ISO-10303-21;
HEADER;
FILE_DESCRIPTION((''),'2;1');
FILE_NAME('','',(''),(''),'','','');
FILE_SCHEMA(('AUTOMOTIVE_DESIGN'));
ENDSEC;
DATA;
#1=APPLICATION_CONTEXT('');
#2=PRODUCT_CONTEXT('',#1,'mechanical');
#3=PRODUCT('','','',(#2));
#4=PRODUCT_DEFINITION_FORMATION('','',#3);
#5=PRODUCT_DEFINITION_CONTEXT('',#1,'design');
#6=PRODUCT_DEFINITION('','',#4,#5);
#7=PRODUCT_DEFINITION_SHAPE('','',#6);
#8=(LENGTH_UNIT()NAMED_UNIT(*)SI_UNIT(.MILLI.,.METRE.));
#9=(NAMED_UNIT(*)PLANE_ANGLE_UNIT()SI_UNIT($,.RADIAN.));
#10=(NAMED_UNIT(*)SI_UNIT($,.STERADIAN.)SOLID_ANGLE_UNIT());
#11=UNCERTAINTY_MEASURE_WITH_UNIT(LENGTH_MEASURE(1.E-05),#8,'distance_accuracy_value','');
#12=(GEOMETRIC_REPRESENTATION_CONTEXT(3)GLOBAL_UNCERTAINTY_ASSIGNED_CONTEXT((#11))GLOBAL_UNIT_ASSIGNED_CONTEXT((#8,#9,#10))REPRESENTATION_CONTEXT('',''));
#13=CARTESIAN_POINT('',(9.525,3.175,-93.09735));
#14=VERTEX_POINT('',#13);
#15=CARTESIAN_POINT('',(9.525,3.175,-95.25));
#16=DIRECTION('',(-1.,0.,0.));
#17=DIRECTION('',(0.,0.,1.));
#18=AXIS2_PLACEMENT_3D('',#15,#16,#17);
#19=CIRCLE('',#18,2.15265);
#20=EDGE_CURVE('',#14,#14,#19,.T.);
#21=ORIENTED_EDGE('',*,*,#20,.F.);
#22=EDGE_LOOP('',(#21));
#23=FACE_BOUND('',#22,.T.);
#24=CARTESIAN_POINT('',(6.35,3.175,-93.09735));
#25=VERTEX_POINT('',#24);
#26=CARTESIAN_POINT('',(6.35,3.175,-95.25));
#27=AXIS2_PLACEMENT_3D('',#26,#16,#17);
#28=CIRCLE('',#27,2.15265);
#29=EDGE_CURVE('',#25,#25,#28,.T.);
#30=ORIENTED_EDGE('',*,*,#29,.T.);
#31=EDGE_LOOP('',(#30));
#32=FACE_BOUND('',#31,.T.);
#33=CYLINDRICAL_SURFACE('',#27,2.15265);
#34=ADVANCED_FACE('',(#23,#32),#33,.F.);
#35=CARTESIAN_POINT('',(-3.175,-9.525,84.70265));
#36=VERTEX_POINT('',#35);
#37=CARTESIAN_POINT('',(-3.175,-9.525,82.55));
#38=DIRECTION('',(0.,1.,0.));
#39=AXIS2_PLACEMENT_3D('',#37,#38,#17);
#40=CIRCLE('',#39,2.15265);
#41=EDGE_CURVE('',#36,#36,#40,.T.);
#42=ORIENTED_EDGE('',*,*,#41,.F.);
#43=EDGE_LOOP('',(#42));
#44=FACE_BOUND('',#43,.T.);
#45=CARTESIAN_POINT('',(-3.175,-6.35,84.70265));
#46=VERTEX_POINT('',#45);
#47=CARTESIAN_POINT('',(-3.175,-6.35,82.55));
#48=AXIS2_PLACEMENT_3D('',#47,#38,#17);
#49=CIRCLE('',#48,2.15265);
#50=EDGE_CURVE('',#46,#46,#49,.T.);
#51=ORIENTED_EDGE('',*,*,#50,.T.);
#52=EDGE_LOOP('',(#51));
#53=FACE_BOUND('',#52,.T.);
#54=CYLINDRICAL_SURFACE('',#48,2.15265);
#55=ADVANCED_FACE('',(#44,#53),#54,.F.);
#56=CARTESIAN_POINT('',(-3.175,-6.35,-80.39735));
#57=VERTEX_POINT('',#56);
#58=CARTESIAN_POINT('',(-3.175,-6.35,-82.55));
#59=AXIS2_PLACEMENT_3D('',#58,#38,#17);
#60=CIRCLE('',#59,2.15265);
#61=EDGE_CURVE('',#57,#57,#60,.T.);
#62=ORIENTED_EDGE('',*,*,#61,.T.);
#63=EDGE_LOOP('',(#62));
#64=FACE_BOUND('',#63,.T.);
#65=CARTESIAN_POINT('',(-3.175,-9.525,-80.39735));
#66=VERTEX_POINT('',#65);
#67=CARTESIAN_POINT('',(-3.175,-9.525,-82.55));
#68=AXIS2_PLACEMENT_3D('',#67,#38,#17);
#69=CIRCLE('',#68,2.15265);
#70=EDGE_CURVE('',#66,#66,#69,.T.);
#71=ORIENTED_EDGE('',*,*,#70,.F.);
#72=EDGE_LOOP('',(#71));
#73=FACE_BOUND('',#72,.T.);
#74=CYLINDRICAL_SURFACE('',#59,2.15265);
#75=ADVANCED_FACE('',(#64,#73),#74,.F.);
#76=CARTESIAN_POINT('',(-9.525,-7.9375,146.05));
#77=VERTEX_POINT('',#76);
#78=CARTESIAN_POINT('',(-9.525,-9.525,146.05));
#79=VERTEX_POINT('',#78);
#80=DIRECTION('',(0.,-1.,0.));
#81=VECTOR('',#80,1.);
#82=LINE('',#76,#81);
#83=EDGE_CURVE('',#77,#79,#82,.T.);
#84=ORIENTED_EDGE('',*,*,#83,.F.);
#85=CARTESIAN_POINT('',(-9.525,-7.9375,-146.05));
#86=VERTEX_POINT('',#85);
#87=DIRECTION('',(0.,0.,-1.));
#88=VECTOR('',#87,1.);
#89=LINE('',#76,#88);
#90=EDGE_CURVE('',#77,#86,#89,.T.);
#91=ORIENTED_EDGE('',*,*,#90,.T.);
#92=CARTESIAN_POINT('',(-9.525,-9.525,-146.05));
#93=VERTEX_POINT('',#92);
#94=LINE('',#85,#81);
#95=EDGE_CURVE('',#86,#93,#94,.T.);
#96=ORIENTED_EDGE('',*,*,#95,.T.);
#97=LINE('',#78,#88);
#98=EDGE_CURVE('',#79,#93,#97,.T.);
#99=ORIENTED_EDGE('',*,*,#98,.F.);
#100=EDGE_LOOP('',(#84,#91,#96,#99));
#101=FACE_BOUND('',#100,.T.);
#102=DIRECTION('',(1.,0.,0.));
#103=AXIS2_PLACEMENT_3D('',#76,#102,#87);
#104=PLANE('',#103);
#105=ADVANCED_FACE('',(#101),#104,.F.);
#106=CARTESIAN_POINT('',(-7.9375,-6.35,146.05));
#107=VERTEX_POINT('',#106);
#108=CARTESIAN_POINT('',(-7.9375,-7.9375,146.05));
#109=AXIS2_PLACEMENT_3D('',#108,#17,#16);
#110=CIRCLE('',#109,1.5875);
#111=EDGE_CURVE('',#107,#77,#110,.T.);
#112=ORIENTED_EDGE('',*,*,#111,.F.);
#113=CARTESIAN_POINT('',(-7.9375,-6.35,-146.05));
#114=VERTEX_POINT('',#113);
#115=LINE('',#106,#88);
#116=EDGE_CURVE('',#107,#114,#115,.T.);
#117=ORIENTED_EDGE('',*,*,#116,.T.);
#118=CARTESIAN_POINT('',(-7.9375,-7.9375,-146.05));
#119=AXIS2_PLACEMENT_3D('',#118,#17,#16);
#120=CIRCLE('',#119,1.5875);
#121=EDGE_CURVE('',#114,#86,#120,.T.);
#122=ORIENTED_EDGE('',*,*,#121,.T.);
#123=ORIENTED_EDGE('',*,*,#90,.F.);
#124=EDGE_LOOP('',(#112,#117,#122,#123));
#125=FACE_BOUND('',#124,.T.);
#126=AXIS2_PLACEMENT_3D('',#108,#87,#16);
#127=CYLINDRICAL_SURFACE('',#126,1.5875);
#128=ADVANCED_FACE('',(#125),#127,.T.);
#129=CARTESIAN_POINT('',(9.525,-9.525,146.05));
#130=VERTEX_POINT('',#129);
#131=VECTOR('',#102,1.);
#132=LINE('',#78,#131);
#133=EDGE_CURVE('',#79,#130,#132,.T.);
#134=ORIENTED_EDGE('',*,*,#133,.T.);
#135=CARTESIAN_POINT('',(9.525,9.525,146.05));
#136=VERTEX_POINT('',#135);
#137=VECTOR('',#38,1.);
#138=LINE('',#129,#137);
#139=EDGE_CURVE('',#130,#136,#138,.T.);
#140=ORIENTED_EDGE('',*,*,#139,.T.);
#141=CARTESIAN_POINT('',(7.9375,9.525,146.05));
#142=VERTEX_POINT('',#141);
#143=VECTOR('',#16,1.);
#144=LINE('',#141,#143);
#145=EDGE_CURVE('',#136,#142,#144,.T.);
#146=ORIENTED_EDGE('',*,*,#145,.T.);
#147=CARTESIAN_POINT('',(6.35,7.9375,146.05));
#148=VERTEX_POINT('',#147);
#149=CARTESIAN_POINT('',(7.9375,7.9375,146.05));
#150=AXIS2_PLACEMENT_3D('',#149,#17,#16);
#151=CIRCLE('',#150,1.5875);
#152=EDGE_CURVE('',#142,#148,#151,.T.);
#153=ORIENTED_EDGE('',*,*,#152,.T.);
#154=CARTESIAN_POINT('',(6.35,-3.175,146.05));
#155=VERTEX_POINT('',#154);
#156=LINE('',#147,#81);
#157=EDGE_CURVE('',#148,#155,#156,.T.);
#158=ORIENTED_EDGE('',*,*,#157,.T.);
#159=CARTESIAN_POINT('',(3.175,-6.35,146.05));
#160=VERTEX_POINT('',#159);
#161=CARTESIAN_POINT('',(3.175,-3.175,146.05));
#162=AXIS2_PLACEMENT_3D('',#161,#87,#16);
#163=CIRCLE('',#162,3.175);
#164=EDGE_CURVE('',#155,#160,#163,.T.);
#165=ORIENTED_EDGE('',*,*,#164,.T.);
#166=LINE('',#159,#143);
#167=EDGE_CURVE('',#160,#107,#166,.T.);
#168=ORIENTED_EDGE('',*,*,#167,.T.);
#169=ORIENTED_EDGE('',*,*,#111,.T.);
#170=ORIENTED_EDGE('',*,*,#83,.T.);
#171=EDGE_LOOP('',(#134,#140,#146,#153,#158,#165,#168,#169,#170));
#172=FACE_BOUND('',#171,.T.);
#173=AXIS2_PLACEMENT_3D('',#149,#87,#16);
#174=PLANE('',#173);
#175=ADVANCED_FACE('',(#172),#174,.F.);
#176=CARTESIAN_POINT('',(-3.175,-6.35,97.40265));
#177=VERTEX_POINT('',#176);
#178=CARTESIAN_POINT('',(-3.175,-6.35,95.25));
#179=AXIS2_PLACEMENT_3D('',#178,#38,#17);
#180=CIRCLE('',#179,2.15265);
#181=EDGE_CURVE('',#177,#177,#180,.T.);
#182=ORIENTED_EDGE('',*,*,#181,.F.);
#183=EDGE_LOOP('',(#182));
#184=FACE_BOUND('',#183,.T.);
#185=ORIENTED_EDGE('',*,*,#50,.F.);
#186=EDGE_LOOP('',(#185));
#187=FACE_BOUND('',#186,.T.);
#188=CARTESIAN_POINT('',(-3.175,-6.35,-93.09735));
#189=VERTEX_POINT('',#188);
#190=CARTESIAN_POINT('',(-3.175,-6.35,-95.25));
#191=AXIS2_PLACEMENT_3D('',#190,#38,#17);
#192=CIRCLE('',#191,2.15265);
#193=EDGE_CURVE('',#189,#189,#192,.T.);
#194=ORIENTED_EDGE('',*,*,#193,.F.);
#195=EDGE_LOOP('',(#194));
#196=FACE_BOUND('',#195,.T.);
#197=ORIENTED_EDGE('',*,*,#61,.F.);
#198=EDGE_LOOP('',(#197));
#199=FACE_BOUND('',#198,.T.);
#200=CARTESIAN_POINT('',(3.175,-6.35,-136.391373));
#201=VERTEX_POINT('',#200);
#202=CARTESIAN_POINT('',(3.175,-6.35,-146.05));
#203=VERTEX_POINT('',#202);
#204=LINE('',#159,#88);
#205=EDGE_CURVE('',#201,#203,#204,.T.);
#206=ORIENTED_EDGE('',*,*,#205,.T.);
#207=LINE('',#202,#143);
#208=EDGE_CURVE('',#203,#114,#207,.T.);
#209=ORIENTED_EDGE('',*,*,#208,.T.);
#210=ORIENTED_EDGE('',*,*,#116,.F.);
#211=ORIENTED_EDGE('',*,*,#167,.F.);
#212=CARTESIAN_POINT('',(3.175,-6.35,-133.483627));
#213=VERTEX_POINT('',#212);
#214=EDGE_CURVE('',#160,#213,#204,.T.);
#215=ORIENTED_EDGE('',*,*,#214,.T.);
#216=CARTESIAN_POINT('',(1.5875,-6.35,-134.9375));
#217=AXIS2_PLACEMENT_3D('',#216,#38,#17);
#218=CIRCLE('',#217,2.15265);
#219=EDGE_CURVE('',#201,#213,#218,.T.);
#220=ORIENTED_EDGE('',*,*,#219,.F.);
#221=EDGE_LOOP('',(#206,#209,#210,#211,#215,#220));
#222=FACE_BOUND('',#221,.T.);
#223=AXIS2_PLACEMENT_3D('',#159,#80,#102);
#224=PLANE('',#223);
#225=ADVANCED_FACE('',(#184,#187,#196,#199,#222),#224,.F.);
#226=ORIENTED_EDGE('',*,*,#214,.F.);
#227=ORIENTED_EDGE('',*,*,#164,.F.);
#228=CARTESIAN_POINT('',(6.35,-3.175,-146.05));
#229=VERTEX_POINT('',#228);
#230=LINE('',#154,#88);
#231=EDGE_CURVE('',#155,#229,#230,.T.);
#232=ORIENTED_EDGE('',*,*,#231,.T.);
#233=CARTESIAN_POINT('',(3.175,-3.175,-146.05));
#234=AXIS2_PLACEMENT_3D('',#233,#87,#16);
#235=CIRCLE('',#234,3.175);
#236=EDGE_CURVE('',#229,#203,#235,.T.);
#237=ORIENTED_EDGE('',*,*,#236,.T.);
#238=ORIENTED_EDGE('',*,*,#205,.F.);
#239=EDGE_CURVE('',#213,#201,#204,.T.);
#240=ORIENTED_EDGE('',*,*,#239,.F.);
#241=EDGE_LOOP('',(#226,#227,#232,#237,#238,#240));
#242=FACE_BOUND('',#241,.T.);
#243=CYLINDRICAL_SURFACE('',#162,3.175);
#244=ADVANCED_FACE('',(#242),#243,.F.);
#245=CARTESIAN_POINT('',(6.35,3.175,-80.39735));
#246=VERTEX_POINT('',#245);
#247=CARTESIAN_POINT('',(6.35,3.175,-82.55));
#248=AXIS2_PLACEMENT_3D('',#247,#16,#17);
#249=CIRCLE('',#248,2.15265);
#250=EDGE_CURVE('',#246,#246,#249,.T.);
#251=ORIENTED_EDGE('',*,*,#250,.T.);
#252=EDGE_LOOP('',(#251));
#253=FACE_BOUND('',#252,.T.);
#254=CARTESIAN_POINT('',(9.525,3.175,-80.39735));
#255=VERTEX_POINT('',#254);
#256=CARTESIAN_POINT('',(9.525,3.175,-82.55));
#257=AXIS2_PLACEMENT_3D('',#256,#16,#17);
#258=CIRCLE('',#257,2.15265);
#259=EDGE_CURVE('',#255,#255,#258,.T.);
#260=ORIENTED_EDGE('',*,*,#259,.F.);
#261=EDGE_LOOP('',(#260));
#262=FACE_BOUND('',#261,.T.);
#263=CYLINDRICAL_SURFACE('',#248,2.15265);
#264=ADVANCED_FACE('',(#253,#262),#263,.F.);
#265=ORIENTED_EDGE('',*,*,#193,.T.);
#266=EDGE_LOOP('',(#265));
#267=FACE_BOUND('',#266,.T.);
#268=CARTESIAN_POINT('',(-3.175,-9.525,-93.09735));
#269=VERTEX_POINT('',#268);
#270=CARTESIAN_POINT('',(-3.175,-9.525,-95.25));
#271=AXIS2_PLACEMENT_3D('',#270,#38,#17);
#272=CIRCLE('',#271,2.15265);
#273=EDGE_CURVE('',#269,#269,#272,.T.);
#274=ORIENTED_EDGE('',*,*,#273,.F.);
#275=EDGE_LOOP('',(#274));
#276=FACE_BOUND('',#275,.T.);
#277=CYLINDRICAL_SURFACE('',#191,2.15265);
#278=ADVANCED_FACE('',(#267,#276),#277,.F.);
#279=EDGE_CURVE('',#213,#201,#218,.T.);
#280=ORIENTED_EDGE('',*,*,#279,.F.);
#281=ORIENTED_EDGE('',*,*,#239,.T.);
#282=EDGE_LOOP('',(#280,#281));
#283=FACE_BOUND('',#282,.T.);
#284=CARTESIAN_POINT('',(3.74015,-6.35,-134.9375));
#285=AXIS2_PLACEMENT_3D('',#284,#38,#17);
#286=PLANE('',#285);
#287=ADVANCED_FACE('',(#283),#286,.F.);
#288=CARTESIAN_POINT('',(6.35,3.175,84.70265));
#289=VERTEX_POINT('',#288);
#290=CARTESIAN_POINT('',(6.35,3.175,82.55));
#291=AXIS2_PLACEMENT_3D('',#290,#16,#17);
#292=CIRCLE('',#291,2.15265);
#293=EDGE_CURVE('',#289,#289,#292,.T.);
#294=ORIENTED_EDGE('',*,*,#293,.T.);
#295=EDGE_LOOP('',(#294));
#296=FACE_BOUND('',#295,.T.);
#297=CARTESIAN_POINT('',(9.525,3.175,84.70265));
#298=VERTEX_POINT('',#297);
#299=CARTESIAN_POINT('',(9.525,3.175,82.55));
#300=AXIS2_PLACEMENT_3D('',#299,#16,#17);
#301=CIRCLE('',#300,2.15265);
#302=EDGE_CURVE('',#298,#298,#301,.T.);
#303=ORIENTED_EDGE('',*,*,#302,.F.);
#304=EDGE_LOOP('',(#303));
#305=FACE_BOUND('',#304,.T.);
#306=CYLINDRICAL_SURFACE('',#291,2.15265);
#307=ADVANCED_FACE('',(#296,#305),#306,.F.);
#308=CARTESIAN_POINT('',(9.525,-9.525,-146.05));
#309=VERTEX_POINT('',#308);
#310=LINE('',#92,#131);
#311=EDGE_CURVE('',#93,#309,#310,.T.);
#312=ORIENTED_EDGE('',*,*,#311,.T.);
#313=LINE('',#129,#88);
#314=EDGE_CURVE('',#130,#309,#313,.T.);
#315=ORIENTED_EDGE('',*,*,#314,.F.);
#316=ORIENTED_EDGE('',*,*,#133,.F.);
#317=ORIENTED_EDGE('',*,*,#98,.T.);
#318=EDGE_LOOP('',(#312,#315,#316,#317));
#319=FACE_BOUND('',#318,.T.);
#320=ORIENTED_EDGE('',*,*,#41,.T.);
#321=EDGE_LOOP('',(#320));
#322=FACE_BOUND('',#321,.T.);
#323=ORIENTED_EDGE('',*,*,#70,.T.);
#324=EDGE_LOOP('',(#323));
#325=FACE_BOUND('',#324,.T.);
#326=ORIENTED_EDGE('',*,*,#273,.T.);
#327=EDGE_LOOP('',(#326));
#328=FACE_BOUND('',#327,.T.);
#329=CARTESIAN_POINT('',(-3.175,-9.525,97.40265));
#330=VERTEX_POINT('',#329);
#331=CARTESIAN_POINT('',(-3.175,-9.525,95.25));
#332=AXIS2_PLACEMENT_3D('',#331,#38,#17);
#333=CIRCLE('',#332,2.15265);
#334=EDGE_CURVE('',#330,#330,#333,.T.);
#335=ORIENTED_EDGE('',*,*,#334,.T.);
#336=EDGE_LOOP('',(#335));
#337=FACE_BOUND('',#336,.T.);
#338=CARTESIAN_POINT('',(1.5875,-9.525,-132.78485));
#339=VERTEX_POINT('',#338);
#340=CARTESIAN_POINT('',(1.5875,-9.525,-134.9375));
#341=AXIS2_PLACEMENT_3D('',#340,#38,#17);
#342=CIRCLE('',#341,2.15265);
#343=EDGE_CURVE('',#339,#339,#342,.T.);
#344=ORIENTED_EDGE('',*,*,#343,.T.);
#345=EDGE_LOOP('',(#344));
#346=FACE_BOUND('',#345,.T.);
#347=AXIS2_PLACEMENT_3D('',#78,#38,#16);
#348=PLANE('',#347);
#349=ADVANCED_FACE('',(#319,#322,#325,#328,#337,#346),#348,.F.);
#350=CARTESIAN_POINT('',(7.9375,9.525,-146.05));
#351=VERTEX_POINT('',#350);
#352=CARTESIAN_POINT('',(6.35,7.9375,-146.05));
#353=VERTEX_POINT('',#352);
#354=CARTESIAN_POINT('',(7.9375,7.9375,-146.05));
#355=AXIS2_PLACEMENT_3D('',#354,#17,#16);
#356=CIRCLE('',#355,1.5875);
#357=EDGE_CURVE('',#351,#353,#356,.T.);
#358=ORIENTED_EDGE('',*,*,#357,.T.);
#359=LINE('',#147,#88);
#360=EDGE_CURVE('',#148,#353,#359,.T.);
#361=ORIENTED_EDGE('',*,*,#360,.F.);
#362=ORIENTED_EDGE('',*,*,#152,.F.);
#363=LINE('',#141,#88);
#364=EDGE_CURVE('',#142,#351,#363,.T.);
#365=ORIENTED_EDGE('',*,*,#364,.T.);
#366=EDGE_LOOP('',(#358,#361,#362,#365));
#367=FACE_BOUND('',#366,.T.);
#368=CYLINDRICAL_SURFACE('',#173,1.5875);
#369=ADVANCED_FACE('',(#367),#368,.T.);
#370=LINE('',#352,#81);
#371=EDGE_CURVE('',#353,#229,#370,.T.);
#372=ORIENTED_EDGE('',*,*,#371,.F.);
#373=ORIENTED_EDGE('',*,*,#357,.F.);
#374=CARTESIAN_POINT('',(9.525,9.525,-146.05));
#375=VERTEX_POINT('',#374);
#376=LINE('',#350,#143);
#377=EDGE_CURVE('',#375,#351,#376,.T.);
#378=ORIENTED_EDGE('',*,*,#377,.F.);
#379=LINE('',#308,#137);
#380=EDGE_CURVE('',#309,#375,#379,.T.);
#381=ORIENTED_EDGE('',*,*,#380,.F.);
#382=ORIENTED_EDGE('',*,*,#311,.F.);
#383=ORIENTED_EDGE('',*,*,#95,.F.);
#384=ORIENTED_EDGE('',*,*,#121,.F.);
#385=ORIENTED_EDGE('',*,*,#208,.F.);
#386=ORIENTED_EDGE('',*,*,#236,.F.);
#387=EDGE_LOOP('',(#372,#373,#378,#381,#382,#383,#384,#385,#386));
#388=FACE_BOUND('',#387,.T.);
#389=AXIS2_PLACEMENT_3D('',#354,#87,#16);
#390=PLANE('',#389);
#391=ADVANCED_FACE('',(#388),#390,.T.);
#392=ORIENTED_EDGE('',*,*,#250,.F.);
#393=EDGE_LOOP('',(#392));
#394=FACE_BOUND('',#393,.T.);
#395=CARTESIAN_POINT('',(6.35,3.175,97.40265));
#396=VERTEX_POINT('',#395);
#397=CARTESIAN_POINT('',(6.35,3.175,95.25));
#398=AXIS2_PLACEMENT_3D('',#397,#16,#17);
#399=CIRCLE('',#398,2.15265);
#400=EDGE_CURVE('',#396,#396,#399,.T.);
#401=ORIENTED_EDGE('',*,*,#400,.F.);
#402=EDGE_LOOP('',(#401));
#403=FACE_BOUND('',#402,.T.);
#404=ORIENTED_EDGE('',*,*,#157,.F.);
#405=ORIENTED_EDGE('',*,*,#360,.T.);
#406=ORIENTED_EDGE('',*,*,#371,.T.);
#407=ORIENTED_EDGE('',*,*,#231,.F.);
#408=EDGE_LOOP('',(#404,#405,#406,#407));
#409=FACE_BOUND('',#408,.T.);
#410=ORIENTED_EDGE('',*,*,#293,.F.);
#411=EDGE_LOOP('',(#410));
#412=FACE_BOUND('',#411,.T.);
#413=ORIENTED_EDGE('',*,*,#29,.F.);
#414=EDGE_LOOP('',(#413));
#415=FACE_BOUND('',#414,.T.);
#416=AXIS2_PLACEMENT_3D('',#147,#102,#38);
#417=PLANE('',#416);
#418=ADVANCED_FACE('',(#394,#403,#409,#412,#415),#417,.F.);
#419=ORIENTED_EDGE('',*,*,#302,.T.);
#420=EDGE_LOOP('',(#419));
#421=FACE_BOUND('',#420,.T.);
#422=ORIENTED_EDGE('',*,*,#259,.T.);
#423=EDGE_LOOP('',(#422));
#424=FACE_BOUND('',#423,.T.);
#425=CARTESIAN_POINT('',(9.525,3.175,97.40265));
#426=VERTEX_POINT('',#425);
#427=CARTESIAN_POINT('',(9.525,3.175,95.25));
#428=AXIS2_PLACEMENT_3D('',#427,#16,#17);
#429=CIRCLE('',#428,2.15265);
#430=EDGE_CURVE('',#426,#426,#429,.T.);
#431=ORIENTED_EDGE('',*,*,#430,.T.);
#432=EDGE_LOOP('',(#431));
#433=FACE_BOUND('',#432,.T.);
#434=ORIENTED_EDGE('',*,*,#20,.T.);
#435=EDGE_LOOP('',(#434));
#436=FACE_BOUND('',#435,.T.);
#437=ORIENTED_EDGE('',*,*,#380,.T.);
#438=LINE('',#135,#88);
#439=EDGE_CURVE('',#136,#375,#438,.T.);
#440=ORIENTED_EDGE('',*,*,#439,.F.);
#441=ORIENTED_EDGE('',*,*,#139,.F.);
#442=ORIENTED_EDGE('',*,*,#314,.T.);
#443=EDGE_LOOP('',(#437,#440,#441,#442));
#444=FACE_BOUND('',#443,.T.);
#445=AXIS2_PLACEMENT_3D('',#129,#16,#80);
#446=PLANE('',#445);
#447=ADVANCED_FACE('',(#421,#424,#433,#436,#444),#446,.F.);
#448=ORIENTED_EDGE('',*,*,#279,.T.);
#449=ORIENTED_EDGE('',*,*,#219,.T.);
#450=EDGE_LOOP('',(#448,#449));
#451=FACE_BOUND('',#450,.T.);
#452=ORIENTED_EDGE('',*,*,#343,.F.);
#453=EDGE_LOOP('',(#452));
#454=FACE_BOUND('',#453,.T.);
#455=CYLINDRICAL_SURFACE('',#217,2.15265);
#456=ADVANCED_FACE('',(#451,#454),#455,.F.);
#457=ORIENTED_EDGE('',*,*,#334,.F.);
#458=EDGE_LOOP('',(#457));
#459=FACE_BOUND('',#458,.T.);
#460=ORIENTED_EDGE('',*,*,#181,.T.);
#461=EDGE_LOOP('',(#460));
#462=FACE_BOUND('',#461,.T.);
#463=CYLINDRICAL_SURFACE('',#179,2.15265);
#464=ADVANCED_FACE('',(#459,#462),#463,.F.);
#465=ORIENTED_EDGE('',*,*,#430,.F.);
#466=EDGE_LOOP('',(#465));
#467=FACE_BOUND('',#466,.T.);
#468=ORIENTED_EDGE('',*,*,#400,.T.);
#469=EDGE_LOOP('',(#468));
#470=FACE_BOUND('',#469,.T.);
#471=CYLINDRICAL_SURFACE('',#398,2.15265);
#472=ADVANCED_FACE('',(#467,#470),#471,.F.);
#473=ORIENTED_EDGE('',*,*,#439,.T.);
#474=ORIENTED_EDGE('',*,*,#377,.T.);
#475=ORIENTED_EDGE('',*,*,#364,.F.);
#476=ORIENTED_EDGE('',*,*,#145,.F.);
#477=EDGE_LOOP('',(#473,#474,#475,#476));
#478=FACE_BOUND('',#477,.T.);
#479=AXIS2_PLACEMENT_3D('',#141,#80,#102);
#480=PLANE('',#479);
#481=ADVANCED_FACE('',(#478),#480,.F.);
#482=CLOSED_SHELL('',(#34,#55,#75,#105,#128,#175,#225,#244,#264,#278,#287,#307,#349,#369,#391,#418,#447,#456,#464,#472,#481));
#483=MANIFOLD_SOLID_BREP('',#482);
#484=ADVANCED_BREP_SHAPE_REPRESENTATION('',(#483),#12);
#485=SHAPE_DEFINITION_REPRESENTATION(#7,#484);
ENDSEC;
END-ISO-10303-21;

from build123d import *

# Parameters (mm, degrees)
BOSS_EXTRUDE1_DEPTH          = 146.05
F_18_0_1695_DIAMETER_HOLE1_D = 4.3053
MIRROR2_COPY_1_D             = 4.3053
SKETCH19_W                   = 2.15265
SKETCH19_H                   = 3.175


with BuildPart() as part:
    # Sketch2 → Boss-Extrude1 (new, symmetric)
    with BuildSketch(Plane.XY):
        with BuildLine():
            Line((-9.525, -9.525), (9.525, -9.525))
            Line((9.525, -9.525), (9.525, 9.525))
            Line((9.525, 9.525), (7.9375, 9.525))
            ThreePointArc((7.9375, 9.525), (6.814967985, 9.060032015), (6.35, 7.9375))
            Line((6.35, 7.9375), (6.35, -3.175))
            ThreePointArc((6.35, -3.175), (5.42006403, -5.42006403), (3.175, -6.35))
            Line((3.175, -6.35), (-7.9375, -6.35))
            ThreePointArc((-7.9375, -6.35), (-9.060032015, -6.814967985), (-9.525, -7.9375))
            Line((-9.525, -7.9375), (-9.525, -9.525))
        make_face()
    extrude(amount=BOSS_EXTRUDE1_DEPTH, both=True)

    # #18 (0.1695) Diameter Hole1 (through all)
    with Locations(Plane.ZY.offset(-6.35)):
        with Locations((-95.25, 3.175), (-82.55, 3.175)):
            f_18_0_1695_diameter_hole1 = Hole(F_18_0_1695_DIAMETER_HOLE1_D / 2)

    # Mirror1: #18 (0.1695) Diameter Hole1 across plane
    add(f_18_0_1695_diameter_hole1.mirror(Plane(origin=(0, 0, 0), x_dir=(0, 0, 1), z_dir=(0.7071067811865477, 0.7071067811865475, 0))), mode=Mode.SUBTRACT)

    # Mirror2: #18 (0.1695) Diameter Hole1 across plane
    add(f_18_0_1695_diameter_hole1.mirror(Plane.XY), mode=Mode.SUBTRACT)

    # Mirror2 copy 1 (through all)
    with Locations(Plane(origin=(0, -6.35, 0), x_dir=(0, 0, -1), z_dir=(0, 1, 0))):
        with Locations((-95.25, 3.175), (-82.55, 3.175)):
            Hole(MIRROR2_COPY_1_D / 2)

    # Sketch19 → #8 Clearance Hole1 (revolve, cut)
    with BuildSketch(Plane(origin=(1.5875, -6.35, -134.9375), x_dir=(0, 0, 1), z_dir=(1, 0, 0))):
        with Locations((1.076325, 1.5875)):
            Rectangle(SKETCH19_W, SKETCH19_H)
    revolve(axis=Axis((1.5875, 0, -134.9375), (0, -1, 0)), mode=Mode.SUBTRACT)


solid = part.part
